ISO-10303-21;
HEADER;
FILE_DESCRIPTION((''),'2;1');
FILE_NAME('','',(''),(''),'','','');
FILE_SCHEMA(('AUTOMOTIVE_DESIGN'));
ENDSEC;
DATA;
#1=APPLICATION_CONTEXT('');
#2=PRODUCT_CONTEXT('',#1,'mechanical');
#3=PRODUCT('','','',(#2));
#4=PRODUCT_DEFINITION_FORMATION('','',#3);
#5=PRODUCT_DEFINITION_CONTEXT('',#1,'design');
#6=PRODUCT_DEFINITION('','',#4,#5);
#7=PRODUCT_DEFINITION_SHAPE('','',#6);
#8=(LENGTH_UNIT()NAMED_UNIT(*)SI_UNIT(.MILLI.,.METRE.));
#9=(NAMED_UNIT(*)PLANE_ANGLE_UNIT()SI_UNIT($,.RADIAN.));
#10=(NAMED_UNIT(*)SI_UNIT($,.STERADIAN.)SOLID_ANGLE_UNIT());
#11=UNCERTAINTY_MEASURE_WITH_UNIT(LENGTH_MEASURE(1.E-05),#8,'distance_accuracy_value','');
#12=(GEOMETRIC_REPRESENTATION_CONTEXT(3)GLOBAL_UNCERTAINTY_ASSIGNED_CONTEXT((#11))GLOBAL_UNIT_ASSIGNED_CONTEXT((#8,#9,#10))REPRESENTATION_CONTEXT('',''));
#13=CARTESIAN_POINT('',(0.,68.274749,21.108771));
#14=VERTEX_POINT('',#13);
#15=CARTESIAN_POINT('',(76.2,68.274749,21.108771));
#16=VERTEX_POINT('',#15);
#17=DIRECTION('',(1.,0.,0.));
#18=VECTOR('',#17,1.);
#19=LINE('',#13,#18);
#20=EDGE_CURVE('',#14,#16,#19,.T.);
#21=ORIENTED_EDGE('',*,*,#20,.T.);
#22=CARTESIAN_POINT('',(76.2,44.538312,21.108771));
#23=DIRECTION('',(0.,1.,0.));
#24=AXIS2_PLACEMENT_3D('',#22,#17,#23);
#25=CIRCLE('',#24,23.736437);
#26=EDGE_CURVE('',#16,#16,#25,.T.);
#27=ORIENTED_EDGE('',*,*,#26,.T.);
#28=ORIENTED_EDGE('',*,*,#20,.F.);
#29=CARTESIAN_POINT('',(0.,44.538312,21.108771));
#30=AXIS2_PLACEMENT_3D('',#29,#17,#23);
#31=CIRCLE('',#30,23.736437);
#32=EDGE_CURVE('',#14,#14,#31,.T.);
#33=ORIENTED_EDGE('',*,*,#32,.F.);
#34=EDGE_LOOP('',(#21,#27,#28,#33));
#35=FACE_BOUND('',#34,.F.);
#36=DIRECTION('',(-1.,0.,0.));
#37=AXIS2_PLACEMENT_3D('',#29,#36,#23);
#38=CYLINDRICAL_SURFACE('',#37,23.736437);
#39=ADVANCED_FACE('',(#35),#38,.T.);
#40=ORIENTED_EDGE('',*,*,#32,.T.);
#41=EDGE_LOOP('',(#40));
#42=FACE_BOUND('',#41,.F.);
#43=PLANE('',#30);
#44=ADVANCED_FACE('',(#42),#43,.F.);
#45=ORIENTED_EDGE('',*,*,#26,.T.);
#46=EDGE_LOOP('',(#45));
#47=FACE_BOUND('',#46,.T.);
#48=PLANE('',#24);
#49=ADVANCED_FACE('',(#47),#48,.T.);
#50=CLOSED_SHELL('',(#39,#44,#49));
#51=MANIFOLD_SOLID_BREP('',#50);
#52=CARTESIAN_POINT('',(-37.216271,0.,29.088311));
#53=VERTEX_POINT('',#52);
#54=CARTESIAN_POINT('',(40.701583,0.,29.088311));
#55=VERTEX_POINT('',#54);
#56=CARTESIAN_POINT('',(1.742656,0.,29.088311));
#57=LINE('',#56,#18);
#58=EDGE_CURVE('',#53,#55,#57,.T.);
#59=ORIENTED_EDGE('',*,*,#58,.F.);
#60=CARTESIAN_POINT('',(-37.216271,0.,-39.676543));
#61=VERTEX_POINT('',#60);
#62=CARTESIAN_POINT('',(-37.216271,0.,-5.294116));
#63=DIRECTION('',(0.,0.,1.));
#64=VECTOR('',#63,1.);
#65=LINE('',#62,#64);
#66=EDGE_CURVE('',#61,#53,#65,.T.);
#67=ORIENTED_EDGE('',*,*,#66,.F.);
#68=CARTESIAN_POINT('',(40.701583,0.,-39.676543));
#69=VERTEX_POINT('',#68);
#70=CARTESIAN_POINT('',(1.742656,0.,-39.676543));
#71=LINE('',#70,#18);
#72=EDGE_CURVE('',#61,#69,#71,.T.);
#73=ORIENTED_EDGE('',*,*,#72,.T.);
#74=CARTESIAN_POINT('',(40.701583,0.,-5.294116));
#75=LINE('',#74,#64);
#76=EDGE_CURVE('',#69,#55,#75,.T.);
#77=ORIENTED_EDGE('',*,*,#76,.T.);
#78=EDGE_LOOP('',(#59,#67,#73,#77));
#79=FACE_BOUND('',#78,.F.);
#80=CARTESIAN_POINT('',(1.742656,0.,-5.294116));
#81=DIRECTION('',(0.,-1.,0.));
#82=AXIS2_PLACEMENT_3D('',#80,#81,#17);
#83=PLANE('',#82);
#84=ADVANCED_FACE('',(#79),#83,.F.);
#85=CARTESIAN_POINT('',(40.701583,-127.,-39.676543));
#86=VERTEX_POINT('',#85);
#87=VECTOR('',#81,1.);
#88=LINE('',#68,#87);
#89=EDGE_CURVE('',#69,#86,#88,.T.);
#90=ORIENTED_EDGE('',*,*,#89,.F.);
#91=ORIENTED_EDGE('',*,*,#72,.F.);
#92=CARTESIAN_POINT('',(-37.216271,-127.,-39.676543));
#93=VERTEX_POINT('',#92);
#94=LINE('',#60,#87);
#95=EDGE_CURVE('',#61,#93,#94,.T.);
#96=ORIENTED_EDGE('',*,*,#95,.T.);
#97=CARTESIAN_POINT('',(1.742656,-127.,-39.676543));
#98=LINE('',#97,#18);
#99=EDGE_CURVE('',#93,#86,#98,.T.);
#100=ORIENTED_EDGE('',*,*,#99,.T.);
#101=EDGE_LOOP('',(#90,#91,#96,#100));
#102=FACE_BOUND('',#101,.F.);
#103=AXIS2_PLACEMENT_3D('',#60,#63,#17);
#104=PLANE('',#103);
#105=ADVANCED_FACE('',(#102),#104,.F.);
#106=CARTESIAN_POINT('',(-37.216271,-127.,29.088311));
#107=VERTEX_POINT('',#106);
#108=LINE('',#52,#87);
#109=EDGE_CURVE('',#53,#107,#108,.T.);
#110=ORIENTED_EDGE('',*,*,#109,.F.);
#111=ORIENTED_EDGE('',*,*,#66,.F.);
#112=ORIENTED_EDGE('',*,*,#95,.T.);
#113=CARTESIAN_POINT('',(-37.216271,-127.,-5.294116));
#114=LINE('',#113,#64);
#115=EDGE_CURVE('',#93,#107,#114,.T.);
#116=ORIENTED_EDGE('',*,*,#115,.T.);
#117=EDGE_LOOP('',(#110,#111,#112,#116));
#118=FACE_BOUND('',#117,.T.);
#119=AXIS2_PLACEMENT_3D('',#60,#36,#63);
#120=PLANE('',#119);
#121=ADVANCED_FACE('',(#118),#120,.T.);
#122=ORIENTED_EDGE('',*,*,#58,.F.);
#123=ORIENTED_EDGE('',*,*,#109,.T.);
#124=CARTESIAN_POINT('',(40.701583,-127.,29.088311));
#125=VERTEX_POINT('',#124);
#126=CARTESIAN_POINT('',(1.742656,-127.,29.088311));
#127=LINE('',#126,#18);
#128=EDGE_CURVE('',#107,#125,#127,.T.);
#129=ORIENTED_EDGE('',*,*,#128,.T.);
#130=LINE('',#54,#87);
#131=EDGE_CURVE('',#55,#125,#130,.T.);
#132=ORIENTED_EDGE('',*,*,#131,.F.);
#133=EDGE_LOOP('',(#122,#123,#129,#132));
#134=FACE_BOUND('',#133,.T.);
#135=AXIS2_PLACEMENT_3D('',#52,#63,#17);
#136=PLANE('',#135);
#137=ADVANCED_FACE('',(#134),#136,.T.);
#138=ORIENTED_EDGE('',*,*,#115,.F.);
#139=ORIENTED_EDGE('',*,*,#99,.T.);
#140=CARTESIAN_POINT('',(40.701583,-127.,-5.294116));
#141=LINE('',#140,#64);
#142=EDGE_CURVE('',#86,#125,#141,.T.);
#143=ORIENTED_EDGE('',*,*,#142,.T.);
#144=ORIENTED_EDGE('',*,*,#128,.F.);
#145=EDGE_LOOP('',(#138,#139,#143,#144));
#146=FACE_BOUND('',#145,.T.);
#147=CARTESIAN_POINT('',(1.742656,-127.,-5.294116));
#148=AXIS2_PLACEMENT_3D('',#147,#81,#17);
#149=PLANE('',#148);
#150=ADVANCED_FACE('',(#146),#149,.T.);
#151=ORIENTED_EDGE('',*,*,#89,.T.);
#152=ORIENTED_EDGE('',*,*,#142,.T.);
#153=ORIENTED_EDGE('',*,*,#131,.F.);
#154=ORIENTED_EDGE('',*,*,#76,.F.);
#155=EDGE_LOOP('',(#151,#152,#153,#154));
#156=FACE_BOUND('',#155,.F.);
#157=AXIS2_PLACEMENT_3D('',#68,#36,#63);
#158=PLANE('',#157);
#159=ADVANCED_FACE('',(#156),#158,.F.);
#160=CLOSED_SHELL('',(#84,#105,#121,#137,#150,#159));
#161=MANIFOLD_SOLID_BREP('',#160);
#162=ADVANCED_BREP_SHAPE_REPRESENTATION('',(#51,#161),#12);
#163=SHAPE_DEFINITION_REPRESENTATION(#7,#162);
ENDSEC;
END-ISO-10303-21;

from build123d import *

# Parameters (mm, degrees)
F0_W     = 77.917855
F0_H     = 68.764854
F1_DEPTH = 127
F2_R     = 23.736437
F3_DEPTH = 76.2


with BuildPart() as f1:
    # F0 (on Front) → F1 (new body)
    with BuildSketch(Plane.XZ):
        with Locations((1.742656, -5.294116)):
            Rectangle(F0_W, F0_H)
    extrude(amount=F1_DEPTH)


with BuildPart() as f3:
    # F2 (on Right) → F3 (new body)
    with BuildSketch(Plane.YZ):
        with Locations((44.538312, 21.108771)):
            Circle(F2_R)
    extrude(amount=F3_DEPTH)


solid = Compound([f1.part, f3.part])
